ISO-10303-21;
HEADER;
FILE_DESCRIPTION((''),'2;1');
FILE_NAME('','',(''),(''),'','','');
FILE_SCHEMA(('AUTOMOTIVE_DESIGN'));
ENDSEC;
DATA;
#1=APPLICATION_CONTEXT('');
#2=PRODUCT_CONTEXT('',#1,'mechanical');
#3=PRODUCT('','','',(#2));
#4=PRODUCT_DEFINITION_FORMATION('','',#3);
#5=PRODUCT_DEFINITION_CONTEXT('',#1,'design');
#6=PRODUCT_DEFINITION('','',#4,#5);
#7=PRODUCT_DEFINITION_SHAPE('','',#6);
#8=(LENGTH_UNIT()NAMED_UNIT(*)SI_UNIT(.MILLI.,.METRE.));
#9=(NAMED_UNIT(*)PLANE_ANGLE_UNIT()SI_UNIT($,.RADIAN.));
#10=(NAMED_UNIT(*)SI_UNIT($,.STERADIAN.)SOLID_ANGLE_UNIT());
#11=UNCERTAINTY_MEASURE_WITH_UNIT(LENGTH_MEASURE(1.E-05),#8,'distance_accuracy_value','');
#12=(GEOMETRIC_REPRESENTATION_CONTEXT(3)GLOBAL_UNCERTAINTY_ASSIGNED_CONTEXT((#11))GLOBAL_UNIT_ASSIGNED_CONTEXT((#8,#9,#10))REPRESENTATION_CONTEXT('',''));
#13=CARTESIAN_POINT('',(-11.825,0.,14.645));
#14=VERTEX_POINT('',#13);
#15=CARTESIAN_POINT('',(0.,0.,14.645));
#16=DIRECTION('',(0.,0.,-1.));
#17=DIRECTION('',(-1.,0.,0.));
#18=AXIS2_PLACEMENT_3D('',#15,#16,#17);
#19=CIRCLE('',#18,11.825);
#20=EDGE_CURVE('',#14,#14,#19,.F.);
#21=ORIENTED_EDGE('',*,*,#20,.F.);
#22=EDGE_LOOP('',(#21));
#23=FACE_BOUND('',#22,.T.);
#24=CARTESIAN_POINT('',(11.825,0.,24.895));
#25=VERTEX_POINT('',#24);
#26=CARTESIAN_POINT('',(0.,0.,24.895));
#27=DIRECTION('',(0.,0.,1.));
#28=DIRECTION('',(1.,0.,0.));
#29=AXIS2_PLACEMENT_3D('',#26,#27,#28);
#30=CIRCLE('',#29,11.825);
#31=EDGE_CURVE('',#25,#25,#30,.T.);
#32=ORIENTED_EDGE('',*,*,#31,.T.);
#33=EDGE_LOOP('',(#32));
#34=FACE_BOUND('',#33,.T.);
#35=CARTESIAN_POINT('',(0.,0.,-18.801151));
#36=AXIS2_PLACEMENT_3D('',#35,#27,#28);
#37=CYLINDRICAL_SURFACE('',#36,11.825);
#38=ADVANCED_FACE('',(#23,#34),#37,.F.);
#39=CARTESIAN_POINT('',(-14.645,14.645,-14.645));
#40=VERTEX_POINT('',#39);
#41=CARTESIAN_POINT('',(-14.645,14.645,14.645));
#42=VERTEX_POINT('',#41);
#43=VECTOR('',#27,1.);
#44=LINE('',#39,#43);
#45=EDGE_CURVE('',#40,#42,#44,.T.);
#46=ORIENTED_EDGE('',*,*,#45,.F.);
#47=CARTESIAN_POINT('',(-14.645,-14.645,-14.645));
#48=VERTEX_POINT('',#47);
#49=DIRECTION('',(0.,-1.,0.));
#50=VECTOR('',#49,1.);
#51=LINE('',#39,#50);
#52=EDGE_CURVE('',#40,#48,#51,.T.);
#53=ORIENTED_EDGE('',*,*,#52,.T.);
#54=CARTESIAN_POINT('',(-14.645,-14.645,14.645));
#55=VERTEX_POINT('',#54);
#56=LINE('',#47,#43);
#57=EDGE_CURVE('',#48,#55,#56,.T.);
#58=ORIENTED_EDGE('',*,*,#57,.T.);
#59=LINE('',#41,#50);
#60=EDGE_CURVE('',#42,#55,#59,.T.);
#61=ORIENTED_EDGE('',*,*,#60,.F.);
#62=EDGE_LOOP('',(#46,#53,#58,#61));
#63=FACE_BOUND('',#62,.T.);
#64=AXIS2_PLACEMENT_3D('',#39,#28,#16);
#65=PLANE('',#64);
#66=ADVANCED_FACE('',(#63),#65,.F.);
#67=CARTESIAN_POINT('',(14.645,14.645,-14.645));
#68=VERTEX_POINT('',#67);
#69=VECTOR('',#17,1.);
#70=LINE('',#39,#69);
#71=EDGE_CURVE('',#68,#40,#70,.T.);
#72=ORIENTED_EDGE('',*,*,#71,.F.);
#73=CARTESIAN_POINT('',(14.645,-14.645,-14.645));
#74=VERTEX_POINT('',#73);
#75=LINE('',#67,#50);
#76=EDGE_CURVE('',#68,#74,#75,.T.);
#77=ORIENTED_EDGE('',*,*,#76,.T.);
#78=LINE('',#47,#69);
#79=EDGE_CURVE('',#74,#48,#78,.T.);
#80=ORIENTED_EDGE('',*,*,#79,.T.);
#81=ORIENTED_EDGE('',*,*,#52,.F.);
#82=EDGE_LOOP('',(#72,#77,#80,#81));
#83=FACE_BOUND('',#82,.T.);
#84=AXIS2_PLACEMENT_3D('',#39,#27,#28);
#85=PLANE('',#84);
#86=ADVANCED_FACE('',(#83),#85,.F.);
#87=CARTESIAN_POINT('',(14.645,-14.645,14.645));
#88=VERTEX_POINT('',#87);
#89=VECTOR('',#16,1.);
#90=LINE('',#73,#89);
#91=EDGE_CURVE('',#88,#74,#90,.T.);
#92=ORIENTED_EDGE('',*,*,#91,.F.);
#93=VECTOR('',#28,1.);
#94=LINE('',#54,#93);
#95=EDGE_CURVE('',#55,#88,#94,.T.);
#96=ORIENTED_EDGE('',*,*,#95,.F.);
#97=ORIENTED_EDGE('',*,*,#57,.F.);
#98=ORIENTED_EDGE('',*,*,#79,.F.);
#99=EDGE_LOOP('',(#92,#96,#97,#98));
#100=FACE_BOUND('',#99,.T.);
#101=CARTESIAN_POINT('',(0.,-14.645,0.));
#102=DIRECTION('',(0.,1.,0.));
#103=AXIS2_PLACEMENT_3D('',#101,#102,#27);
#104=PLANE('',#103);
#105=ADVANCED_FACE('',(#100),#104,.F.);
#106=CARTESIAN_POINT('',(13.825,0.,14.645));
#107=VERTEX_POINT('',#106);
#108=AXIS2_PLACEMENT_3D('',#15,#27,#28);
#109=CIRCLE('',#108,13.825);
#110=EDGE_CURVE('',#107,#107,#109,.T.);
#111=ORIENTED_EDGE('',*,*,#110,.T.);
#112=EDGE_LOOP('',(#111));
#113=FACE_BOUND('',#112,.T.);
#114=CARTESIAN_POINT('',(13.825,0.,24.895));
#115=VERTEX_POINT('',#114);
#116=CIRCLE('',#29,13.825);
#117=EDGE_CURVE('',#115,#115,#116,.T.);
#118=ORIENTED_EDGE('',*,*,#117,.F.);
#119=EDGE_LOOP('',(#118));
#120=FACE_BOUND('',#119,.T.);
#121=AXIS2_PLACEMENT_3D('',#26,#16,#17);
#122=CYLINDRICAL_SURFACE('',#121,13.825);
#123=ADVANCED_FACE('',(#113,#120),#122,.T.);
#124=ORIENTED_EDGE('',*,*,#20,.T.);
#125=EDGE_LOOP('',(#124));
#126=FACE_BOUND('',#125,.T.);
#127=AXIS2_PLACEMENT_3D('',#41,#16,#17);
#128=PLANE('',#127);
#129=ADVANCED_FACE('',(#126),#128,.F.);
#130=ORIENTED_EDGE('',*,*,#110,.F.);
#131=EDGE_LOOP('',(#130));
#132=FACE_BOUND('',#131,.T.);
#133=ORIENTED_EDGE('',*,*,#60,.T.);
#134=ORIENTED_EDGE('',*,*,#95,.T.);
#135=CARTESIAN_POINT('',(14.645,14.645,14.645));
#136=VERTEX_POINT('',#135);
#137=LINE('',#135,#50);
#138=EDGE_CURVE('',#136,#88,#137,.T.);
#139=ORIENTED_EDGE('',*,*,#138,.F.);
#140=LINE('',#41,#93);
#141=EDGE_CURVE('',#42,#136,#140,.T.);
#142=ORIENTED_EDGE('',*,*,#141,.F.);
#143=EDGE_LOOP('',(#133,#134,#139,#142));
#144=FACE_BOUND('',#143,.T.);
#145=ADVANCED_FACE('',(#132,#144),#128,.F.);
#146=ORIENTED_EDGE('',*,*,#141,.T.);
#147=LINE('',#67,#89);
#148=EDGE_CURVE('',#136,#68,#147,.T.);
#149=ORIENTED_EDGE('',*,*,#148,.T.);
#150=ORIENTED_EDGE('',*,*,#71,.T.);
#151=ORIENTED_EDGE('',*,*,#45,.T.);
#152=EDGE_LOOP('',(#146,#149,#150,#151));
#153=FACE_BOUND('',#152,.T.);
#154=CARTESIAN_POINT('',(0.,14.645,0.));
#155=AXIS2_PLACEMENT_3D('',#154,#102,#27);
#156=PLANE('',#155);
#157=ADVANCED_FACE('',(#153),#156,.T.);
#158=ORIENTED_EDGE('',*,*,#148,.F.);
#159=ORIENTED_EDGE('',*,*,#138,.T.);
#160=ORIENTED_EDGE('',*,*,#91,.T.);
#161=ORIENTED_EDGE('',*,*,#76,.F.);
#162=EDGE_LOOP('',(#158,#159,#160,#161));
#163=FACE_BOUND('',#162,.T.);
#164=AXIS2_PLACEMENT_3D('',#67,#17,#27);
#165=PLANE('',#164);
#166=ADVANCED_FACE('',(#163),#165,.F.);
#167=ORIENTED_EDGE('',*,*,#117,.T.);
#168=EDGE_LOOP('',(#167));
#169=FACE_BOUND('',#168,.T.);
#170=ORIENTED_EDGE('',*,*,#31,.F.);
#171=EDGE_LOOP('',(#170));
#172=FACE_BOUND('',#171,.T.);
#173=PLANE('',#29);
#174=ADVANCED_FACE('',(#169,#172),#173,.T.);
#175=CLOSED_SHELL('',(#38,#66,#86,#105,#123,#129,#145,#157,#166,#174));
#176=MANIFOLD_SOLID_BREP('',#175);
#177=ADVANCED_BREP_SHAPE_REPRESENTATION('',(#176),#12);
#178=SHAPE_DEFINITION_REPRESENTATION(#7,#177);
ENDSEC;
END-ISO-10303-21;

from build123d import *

# Parameters (mm, degrees)
SKETCH2_W           = 29.29
SKETCH2_H           = 29.29
BOSS_EXTRUDE1_DEPTH = 14.645
SKETCH3_R           = 13.825
BOSS_EXTRUDE2_DEPTH = 10.25
SKETCH4_R           = 11.825
CUT_EXTRUDE1_DEPTH  = 10.25


with BuildPart() as part:
    # Sketch2 → Boss-Extrude1 (new body, symmetric)
    with BuildSketch(Plane(origin=(0, 0, 0), x_dir=(1, 0, 0), z_dir=(0, 1, 0))):
        Rectangle(SKETCH2_W, SKETCH2_H)
    extrude(amount=BOSS_EXTRUDE1_DEPTH, both=True)

    # Sketch3 → Boss-Extrude2 (add)
    with BuildSketch(Plane.XY.offset(14.645)):
        Circle(SKETCH3_R)
    extrude(amount=BOSS_EXTRUDE2_DEPTH)

    # Sketch4 → Cut-Extrude1 (cut)
    with BuildSketch(Plane.XY.offset(24.895)):
        Circle(SKETCH4_R)
    extrude(amount=-CUT_EXTRUDE1_DEPTH, mode=Mode.SUBTRACT)


solid = part.part
